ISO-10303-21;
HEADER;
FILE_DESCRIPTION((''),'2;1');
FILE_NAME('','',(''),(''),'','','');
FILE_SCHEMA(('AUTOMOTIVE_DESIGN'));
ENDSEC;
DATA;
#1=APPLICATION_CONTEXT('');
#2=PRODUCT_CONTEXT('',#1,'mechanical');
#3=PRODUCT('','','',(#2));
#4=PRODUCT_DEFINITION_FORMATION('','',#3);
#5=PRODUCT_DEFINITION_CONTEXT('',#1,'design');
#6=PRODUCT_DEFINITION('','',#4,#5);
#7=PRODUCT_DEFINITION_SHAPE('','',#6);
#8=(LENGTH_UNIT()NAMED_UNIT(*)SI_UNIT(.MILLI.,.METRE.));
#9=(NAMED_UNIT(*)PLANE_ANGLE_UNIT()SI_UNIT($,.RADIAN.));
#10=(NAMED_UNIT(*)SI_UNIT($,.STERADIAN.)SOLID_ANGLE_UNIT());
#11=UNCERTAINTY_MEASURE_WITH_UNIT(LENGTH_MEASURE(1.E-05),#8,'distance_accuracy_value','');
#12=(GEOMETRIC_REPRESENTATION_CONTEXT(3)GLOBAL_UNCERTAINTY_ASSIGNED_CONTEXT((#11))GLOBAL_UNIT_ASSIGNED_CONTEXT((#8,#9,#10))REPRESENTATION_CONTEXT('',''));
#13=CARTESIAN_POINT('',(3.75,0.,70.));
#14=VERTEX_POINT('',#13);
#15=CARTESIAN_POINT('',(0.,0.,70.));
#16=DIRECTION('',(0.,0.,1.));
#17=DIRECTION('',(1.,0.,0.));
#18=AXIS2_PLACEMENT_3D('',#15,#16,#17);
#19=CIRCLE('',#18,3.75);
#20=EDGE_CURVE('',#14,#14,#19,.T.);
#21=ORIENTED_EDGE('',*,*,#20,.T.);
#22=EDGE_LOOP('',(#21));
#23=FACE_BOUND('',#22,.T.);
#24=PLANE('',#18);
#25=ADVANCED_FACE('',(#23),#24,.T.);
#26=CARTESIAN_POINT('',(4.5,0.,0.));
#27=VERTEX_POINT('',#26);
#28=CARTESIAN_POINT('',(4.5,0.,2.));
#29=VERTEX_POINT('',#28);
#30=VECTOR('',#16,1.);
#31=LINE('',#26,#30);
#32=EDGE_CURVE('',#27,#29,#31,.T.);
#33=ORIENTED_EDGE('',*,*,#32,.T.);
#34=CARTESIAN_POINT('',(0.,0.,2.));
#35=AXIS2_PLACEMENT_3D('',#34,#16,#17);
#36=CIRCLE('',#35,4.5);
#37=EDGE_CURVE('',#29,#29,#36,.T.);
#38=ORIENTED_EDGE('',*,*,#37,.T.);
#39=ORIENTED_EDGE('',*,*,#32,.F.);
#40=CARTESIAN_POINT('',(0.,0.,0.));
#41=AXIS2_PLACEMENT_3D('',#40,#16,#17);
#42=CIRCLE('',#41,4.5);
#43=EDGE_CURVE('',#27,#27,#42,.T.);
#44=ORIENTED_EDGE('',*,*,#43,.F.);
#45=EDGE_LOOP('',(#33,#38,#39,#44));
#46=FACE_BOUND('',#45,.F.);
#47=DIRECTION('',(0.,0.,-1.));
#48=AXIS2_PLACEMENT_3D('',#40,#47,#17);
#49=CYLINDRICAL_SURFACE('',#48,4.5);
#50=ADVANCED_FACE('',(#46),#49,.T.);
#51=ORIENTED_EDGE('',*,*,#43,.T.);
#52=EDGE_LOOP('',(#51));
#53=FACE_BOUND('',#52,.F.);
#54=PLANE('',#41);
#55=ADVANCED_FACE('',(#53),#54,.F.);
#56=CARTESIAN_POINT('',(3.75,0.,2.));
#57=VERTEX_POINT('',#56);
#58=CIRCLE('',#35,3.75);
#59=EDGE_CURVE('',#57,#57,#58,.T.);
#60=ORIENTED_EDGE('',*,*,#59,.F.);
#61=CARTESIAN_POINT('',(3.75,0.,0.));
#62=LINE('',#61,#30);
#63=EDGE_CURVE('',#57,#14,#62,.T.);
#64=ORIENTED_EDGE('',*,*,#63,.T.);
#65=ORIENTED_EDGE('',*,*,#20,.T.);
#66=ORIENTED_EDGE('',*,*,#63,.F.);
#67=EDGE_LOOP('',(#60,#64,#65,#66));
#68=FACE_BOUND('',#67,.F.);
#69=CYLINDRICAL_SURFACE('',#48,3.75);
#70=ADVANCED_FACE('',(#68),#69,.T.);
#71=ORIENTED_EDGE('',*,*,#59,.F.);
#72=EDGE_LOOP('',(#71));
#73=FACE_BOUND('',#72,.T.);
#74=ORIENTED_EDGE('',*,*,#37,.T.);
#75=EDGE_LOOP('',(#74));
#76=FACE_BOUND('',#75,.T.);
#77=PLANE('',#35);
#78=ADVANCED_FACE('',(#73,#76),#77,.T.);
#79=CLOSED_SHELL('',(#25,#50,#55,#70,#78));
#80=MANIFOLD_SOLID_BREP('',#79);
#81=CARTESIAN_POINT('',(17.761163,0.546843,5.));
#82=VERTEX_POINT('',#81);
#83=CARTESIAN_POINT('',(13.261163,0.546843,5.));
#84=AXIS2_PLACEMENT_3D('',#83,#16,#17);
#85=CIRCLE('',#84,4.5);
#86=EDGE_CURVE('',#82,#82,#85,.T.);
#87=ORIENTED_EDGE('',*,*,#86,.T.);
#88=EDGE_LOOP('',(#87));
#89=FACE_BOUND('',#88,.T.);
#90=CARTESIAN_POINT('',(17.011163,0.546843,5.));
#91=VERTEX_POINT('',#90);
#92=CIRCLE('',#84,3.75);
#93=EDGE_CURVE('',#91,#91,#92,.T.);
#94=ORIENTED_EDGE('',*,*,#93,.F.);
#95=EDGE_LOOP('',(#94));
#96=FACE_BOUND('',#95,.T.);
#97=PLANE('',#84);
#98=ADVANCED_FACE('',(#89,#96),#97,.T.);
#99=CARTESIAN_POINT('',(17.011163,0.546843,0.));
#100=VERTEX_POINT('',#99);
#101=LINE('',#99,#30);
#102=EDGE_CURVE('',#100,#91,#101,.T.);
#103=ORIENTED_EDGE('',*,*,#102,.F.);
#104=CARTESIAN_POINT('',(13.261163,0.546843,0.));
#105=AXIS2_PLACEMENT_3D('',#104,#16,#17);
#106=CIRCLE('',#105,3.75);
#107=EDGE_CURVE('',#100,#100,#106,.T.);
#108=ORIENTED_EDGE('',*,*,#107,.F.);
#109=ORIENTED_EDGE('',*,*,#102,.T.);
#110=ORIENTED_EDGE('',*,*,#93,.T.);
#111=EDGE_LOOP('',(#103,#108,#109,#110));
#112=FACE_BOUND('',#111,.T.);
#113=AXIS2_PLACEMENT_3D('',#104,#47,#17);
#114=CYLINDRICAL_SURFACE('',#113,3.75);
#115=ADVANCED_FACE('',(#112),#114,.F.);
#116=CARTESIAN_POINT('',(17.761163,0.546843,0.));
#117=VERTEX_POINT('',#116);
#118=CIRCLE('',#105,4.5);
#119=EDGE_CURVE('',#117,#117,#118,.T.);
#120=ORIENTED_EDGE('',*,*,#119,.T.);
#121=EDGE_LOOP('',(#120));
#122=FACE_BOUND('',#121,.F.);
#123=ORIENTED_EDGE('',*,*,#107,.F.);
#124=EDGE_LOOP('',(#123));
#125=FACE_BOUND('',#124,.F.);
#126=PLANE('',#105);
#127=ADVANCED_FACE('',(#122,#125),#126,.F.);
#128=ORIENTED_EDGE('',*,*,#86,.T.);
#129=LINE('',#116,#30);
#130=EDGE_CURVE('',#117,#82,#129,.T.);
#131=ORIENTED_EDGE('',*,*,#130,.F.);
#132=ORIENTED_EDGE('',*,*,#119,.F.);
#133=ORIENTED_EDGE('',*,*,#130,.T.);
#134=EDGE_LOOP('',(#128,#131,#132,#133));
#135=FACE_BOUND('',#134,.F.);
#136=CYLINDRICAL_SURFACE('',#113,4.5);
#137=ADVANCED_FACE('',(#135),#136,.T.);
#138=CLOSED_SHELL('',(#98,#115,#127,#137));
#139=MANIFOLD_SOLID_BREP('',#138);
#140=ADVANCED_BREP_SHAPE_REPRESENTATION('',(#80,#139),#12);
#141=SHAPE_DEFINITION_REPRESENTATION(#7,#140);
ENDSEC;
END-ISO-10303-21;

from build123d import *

# Parameters (mm, degrees)
F0_R     = 3.75
F2_DEPTH = 70
F0_R_2   = 4.5
F3_DEPTH = 2
F1_R     = 4.5
F1_R_2   = 3.75
F4_DEPTH = 5


with BuildPart() as f2:
    # F0 (on Top) → F2 (new body)
    with BuildSketch(Plane.XY):
        Circle(F0_R)
    extrude(amount=F2_DEPTH)

    # F0 (on Top) → F3 (join)
    with BuildSketch(Plane.XY):
        Circle(F0_R_2)
        Circle(F0_R, mode=Mode.SUBTRACT)
    extrude(amount=F3_DEPTH)


with BuildPart() as f4:
    # F1 (on Top) → F4 (new body)
    with BuildSketch(Plane.XY):
        with Locations((13.261163, 0.546843)):
            Circle(F1_R)
        with Locations((13.261163, 0.546843)):
            Circle(F1_R_2, mode=Mode.SUBTRACT)
    extrude(amount=F4_DEPTH)


solid = Compound([f2.part, f4.part])
